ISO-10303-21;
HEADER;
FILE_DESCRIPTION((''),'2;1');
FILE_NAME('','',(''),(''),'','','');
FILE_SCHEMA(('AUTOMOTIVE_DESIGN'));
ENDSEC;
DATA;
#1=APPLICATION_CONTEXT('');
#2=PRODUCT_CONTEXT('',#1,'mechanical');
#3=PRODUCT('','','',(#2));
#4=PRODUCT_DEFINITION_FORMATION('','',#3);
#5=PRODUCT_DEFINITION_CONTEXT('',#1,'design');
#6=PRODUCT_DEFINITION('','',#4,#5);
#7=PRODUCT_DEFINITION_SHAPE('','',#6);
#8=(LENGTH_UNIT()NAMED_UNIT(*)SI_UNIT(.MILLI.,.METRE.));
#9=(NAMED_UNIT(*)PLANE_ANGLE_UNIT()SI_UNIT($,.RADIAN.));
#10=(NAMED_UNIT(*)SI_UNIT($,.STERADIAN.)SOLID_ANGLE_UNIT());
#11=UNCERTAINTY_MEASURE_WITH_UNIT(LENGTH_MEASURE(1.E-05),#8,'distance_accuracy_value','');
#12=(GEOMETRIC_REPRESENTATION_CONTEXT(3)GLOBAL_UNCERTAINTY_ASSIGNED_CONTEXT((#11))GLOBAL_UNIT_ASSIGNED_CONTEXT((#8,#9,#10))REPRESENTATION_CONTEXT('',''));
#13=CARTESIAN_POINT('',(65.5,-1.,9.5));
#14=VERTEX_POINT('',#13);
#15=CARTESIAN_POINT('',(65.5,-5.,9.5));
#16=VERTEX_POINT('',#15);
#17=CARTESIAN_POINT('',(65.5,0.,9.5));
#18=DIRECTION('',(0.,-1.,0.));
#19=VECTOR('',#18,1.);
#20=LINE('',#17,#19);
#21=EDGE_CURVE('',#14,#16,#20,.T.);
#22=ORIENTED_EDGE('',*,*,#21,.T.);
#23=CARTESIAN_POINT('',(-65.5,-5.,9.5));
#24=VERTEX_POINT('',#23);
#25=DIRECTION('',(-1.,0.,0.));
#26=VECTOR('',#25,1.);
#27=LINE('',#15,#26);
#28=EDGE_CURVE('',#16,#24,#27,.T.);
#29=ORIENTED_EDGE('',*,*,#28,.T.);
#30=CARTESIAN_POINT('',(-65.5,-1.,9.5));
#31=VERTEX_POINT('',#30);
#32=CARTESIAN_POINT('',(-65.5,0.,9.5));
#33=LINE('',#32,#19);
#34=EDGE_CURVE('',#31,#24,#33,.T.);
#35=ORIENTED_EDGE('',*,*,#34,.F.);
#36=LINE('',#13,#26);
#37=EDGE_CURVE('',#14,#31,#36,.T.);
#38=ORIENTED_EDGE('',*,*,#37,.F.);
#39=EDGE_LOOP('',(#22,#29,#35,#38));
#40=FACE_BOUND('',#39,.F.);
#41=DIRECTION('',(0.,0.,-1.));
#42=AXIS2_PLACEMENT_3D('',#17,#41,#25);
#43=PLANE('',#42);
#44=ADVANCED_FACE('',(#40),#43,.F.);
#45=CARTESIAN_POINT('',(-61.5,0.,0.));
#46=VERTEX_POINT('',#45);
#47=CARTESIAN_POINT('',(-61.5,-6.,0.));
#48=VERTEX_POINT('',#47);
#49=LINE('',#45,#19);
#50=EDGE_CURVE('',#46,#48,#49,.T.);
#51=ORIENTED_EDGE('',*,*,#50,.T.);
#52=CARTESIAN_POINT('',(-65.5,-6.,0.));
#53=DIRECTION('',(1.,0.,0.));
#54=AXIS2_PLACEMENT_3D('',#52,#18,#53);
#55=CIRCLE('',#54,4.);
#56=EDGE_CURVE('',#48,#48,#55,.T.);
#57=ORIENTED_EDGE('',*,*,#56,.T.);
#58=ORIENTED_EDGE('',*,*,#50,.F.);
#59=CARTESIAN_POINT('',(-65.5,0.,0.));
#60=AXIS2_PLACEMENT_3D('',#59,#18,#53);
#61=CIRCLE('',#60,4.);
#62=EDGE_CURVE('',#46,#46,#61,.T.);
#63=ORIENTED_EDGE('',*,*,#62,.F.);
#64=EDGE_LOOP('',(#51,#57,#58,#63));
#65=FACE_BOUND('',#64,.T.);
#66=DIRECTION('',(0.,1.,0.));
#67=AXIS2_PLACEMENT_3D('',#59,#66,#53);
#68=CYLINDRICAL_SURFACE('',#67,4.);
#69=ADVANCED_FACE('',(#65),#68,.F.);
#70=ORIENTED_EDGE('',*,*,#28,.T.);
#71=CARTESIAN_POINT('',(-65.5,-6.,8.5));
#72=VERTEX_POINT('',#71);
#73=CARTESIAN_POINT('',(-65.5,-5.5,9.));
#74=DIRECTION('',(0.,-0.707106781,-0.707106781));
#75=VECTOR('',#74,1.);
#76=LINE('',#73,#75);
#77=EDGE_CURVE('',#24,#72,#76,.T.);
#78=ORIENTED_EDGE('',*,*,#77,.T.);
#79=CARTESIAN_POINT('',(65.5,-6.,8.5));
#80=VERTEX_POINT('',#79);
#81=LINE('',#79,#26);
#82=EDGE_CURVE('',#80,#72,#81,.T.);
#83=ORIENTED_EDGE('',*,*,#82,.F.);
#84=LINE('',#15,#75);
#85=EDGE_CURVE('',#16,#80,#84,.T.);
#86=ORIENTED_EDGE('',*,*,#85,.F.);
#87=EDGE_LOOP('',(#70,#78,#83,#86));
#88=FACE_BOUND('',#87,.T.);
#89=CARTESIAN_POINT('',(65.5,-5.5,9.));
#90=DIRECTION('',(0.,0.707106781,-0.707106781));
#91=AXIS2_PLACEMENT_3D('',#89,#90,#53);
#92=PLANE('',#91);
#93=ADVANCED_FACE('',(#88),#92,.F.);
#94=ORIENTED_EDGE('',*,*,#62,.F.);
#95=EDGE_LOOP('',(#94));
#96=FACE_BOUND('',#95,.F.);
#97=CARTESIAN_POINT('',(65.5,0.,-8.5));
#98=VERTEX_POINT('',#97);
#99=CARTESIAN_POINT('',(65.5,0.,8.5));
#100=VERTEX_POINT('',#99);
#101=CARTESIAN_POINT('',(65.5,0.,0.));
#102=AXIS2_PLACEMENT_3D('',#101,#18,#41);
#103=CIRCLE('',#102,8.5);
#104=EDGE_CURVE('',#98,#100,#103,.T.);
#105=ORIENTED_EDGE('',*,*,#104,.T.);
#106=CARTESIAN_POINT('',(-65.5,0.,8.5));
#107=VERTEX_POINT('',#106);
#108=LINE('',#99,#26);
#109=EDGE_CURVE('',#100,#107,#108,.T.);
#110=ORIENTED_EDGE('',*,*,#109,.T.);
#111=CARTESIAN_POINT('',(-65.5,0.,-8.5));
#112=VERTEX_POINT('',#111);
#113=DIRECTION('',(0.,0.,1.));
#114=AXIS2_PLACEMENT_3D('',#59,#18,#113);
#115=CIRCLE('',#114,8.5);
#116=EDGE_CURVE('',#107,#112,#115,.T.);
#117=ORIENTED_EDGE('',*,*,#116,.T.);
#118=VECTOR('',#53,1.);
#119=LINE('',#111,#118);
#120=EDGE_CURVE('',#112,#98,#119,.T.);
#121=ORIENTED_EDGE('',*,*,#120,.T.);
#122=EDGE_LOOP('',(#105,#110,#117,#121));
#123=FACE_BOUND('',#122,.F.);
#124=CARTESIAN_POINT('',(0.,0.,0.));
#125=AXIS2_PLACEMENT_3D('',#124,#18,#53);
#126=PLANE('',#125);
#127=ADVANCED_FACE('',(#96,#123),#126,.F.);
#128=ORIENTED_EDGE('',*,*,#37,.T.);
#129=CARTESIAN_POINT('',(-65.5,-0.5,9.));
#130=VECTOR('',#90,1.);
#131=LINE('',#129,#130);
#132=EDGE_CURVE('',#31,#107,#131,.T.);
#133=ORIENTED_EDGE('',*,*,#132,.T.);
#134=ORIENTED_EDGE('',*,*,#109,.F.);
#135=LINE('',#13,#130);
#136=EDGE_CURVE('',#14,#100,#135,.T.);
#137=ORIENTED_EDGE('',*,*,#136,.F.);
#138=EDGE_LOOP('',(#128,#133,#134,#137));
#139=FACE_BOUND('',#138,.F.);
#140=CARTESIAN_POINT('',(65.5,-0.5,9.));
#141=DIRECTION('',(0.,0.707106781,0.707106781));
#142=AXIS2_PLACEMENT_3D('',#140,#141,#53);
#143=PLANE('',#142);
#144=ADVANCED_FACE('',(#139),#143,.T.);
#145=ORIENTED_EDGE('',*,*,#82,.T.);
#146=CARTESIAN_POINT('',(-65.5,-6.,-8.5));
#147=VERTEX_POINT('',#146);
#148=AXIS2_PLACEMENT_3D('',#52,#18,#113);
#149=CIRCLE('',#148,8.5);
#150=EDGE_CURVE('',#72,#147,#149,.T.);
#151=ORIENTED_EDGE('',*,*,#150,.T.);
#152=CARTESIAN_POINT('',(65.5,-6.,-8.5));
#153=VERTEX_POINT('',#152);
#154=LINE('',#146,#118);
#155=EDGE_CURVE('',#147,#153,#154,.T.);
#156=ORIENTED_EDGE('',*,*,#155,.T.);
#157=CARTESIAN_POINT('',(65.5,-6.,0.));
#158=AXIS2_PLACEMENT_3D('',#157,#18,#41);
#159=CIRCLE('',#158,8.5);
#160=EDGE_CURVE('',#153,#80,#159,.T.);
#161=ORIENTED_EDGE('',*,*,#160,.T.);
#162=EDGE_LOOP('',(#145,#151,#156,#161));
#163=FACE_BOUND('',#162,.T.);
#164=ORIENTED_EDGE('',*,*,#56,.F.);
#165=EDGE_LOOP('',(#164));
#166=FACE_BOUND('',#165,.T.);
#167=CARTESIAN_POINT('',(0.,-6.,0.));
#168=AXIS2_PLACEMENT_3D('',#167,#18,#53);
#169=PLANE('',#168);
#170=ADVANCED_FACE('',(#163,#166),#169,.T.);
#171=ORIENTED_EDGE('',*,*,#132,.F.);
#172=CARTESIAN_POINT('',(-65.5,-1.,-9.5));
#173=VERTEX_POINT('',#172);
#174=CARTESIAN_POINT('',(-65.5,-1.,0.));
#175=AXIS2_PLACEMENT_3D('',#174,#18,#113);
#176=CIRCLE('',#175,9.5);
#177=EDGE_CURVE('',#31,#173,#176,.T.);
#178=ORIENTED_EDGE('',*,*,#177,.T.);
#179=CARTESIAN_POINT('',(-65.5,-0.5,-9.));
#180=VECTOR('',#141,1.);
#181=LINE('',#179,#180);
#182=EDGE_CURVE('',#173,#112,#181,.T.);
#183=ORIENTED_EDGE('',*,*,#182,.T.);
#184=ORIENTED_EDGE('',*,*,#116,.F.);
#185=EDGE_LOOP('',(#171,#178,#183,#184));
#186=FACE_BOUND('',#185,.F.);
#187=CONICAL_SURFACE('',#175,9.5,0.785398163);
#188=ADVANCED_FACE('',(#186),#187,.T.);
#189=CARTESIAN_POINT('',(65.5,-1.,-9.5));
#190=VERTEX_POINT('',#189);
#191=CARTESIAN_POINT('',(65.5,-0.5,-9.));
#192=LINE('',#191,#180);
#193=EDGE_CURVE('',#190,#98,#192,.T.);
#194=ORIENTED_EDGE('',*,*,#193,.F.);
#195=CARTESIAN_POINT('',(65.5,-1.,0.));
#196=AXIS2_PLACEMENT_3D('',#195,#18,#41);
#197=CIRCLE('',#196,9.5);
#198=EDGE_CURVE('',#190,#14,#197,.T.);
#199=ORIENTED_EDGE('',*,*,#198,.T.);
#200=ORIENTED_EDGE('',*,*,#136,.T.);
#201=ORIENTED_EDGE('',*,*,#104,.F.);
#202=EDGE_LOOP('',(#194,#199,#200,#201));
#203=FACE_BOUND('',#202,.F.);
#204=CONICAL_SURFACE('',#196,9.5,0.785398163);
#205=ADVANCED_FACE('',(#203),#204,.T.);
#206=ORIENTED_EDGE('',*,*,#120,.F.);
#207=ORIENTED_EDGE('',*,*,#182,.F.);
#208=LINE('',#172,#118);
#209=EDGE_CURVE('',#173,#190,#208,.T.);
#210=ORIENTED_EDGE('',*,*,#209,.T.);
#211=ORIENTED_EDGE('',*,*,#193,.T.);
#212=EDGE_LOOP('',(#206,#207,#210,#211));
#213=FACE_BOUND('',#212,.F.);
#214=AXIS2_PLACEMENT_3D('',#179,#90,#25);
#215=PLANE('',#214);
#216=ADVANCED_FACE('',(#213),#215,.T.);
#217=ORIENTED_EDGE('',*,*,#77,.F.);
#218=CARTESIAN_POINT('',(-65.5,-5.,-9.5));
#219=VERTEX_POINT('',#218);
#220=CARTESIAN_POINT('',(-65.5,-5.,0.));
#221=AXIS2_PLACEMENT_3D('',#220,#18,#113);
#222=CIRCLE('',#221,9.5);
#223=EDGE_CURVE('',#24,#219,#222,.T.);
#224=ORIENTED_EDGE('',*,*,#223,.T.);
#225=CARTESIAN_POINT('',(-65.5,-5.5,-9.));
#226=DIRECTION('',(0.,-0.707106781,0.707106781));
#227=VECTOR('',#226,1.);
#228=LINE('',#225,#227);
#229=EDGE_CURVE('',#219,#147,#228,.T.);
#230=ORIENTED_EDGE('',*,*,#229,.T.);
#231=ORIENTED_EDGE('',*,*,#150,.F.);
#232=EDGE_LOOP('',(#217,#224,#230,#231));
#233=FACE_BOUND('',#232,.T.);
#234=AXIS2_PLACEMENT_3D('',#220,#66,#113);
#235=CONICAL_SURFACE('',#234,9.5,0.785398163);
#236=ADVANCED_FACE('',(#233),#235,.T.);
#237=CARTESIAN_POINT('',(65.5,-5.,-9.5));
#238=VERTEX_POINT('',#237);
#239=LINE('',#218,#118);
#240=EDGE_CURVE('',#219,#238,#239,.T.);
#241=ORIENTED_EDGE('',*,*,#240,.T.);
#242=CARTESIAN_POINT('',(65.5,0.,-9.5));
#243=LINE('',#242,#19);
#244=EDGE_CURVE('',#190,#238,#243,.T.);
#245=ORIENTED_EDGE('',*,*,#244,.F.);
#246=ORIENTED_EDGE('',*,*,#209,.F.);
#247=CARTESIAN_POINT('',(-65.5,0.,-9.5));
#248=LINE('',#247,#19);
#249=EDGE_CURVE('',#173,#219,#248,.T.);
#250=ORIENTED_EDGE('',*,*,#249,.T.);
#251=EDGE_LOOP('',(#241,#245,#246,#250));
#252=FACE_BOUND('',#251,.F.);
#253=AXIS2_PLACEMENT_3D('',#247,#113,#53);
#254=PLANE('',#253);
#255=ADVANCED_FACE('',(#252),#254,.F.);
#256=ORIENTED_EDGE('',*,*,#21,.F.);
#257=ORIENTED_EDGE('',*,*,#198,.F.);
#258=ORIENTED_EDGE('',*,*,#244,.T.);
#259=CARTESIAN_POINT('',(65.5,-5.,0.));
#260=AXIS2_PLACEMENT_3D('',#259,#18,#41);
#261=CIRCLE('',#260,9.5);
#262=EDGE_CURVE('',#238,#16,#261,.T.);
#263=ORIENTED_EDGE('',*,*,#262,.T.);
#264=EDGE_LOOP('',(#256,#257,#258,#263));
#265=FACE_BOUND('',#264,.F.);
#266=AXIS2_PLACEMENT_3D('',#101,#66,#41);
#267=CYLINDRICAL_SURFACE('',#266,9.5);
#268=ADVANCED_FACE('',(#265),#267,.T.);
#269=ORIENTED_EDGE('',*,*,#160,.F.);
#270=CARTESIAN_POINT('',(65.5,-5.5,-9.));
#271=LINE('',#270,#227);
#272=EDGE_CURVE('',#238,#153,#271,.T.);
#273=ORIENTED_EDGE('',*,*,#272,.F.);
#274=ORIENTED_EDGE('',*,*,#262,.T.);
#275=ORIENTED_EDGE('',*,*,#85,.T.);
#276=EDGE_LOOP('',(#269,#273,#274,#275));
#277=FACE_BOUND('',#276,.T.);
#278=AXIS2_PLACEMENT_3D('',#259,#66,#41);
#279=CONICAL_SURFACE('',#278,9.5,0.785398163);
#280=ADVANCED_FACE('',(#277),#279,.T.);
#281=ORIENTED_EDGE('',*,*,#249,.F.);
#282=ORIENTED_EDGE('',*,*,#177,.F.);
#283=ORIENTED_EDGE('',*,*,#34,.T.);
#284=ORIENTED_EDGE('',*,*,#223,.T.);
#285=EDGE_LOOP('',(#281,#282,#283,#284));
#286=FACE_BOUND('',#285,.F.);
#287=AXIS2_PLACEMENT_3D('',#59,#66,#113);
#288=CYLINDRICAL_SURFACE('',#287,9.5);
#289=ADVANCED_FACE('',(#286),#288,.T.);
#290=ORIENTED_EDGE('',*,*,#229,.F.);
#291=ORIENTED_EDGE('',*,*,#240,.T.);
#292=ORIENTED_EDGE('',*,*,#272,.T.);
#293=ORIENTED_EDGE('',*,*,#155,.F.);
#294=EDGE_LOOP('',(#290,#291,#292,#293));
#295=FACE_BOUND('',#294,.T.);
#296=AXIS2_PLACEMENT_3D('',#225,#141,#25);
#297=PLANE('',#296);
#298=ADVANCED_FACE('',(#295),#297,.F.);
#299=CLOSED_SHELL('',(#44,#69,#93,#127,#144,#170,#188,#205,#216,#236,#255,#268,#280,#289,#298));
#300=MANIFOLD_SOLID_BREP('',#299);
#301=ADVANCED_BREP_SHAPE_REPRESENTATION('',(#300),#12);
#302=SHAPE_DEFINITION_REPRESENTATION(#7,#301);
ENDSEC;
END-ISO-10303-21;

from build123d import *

# Parameters (mm, degrees)
F0_R     = 4
F1_DEPTH = 6
F2_SIZE  = 1


with BuildPart() as f1:
    # F0 (on Front) → F1 (new body)
    with BuildSketch(Plane.XZ):
        with BuildLine():
            Line((65.5, 9.5), (-65.5, 9.5))
            ThreePointArc((-65.5, 9.5), (-75, 0), (-65.5, -9.5))
            Line((-65.5, -9.5), (65.5, -9.5))
            ThreePointArc((65.5, -9.5), (75, 0), (65.5, 9.5))
        make_face()
        with Locations((-65.5, 0)):
            Circle(F0_R, mode=Mode.SUBTRACT)
    extrude(amount=F1_DEPTH)

    # F2
    f2_edges = [f1.edges().sort_by_distance(p)[0] for p in [
        (0, -6, -9.5),
        (0, 0, -9.5),
    ]]
    chamfer(f2_edges, length=F2_SIZE)


solid = f1.part
